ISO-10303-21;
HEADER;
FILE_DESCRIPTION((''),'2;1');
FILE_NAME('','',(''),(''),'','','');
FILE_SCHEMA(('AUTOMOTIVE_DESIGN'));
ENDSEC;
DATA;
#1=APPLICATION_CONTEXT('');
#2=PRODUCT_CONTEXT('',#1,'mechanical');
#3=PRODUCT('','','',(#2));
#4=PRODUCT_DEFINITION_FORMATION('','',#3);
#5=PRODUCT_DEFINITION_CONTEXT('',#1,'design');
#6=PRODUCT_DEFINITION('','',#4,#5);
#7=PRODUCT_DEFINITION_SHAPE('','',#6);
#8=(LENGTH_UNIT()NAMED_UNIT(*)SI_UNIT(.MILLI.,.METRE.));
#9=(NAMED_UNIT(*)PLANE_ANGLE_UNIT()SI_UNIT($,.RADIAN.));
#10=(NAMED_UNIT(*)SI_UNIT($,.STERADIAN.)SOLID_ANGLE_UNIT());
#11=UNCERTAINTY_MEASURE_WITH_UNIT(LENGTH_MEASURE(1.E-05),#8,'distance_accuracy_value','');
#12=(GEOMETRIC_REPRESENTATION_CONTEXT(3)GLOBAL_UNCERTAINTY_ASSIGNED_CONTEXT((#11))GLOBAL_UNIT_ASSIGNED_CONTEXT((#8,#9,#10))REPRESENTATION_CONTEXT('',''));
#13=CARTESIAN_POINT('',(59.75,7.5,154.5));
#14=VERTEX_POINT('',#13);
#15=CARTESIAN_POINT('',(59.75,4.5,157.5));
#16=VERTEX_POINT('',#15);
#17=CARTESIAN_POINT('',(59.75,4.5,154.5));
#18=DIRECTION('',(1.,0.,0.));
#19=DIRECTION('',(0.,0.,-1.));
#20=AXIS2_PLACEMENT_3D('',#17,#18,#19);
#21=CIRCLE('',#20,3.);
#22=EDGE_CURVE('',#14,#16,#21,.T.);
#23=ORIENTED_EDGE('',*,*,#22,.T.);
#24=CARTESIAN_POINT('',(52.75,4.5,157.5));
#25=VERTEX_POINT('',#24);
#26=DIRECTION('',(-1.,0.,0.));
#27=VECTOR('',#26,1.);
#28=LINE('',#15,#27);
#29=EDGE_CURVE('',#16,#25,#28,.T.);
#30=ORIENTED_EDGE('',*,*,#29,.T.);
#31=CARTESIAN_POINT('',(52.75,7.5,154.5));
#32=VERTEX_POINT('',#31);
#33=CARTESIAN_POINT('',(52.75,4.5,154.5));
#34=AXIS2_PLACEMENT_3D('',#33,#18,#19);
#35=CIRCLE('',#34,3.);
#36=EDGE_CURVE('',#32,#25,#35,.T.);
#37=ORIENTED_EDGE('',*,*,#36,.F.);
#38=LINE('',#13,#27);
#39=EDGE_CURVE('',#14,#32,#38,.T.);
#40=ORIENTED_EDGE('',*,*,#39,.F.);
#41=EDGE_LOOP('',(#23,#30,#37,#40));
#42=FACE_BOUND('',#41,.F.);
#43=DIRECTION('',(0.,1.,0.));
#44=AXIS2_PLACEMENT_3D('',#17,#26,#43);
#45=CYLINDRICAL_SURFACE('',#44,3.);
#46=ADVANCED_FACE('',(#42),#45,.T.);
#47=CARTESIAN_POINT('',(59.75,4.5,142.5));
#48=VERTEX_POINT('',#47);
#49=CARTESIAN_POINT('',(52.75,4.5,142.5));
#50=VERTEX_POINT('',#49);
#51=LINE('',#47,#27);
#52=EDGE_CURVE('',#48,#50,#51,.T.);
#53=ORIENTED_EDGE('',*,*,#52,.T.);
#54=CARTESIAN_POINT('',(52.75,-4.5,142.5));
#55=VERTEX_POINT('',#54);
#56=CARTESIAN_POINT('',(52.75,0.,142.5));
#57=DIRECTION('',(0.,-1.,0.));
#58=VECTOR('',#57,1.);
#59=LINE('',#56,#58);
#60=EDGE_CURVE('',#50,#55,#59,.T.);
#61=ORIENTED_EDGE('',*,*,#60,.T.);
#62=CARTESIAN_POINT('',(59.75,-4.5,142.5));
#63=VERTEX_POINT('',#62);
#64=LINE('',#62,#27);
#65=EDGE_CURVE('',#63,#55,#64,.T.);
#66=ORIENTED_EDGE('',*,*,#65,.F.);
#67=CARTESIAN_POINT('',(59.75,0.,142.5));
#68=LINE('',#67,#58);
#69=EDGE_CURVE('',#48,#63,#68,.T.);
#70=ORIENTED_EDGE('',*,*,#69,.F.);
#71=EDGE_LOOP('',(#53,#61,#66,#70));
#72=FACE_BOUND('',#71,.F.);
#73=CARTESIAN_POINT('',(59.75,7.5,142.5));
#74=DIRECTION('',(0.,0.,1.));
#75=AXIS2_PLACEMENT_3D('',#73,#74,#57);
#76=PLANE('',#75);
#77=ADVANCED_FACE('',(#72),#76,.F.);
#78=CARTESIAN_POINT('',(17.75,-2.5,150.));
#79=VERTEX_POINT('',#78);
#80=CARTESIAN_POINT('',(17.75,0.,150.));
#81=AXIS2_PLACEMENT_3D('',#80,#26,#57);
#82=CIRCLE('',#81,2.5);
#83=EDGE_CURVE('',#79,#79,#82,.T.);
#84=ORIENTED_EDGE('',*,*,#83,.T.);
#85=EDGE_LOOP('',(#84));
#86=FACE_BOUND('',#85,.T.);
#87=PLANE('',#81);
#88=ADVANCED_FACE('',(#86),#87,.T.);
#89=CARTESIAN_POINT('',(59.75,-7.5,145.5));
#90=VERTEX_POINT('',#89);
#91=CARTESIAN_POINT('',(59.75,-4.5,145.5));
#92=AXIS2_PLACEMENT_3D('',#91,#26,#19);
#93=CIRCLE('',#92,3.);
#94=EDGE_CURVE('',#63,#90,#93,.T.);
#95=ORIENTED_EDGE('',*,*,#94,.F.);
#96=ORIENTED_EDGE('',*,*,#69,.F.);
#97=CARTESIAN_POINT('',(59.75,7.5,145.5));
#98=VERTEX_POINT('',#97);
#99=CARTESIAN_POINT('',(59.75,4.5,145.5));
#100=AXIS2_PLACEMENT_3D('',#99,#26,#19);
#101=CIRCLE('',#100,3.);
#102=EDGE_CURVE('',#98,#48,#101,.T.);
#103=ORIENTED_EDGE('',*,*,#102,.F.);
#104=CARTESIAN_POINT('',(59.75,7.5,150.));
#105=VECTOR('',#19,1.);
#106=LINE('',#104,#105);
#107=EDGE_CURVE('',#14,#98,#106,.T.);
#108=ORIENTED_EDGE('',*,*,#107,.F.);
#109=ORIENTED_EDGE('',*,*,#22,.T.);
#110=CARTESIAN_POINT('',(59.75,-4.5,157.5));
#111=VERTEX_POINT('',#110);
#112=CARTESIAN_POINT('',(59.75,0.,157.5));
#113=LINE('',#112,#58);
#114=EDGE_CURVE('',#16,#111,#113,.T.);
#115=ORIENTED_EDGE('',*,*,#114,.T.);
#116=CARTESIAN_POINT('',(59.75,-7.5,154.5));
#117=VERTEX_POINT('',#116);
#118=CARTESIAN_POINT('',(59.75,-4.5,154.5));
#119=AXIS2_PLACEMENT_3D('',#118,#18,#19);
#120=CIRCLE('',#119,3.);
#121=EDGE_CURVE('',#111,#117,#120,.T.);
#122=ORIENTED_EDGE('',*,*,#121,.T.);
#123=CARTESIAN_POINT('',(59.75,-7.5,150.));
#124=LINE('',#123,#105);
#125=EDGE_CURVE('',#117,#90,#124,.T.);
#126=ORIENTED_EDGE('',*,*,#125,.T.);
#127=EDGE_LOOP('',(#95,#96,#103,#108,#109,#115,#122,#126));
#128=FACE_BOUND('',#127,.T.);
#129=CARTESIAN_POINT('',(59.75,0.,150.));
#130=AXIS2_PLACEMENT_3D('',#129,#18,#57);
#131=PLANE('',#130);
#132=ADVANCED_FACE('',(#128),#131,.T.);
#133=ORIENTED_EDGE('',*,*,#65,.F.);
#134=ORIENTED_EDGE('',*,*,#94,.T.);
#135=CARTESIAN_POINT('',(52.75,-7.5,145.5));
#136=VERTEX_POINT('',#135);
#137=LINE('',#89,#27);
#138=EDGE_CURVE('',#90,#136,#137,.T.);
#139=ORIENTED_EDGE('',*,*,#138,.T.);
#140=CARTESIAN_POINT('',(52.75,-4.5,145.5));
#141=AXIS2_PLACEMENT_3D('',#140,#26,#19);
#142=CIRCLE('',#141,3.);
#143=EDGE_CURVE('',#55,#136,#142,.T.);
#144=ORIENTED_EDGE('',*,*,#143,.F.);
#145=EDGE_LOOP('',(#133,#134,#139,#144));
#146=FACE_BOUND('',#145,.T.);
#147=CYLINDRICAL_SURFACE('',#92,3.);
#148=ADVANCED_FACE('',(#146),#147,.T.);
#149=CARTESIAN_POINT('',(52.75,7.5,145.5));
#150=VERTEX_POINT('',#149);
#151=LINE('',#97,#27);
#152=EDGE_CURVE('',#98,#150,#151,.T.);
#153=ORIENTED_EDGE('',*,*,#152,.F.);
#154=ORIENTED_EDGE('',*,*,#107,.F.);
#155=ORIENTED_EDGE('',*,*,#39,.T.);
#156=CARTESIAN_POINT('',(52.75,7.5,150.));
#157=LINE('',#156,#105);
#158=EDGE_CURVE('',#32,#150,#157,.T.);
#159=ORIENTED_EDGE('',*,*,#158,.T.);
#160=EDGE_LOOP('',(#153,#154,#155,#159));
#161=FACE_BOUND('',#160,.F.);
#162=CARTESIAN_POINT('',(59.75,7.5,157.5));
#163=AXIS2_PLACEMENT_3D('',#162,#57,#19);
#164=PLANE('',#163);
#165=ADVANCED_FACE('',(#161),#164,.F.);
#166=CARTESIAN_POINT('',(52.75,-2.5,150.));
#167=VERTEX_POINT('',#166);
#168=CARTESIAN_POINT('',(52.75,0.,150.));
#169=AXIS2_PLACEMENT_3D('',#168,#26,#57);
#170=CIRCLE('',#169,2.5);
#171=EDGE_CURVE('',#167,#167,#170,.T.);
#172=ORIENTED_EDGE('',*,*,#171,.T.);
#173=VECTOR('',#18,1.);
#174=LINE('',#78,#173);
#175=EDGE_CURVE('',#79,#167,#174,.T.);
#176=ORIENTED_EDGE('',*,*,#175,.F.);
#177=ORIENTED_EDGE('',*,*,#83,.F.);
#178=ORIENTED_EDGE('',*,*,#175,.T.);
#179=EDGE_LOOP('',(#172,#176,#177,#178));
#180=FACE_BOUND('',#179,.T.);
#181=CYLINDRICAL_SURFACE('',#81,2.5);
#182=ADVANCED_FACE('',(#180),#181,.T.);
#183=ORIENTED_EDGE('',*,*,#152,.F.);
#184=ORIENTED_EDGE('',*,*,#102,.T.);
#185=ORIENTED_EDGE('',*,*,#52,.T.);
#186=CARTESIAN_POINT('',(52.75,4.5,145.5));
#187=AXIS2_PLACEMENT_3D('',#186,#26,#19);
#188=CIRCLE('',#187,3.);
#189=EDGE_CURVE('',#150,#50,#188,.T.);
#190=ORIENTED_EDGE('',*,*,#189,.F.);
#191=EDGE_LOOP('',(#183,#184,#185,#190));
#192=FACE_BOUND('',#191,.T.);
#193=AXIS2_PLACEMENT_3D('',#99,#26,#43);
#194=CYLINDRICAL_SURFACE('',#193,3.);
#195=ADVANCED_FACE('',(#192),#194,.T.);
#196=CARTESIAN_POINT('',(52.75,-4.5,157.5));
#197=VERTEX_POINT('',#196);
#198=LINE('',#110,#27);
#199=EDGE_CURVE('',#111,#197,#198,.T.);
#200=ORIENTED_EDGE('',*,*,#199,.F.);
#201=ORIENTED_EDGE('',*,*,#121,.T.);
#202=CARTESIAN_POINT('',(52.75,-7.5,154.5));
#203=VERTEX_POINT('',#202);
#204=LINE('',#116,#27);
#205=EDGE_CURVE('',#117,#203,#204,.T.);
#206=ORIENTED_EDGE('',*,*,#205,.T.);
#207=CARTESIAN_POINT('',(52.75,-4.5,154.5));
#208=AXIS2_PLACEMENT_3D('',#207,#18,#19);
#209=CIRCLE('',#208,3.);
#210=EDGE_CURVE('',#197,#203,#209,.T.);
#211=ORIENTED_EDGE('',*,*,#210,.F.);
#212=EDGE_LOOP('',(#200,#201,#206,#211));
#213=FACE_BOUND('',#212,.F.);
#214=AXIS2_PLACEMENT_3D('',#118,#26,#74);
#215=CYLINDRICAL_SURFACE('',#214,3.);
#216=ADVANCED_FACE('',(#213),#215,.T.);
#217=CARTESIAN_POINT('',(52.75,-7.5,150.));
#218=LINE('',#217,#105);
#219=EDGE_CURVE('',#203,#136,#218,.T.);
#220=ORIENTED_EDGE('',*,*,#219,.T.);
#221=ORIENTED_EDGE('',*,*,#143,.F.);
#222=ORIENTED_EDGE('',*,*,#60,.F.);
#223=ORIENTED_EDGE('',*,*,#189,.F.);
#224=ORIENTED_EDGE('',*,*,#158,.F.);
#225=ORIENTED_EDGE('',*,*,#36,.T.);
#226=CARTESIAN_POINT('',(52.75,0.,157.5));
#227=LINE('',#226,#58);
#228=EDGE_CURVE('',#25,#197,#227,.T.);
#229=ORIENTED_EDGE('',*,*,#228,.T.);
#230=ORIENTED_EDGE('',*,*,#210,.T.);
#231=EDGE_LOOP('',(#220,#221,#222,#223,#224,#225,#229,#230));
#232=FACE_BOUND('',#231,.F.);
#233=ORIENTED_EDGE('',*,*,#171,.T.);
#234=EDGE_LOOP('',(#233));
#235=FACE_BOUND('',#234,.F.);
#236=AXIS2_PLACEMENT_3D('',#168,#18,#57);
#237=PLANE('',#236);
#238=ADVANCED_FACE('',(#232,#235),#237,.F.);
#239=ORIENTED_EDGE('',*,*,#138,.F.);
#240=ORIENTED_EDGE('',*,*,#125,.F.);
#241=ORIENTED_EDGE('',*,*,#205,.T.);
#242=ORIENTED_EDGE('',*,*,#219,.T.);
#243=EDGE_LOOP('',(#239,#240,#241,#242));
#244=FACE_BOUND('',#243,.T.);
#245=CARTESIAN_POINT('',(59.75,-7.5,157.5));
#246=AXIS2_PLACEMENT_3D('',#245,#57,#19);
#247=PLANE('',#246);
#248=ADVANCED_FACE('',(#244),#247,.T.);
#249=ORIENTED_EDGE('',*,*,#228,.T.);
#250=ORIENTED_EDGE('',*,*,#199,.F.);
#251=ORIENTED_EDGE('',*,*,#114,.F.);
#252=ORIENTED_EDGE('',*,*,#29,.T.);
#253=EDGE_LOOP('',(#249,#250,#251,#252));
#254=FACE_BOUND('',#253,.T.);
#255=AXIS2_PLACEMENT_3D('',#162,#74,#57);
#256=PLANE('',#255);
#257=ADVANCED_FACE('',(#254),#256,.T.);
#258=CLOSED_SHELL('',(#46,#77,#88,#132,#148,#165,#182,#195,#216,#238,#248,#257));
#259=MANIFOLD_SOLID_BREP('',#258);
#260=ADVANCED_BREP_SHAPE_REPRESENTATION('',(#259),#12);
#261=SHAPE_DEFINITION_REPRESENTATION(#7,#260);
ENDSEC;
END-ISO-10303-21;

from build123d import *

# Parameters (mm, degrees)
SKETCH145_R             = 2.5
PAD075_DEPTH            = 42
SKETCH144_W             = 15
SKETCH144_H             = 15
PAD076_DEPTH            = 7
FILLET003_R             = 3
BODY043_PLACEMENT_ANGLE = -90


with BuildPart() as part:
    # Sketch145 → Pad075 (new body)
    with BuildSketch(Plane.XZ):
        Circle(SKETCH145_R)
    extrude(amount=-PAD075_DEPTH)

    # Sketch144 (on Face3 of Pad075) → Pad076 (join)
    with BuildSketch(Plane(origin=(0, 42, 0), x_dir=(1, 0, 0), z_dir=(0, 1, 0))):
        Rectangle(SKETCH144_W, SKETCH144_H)
    extrude(amount=-PAD076_DEPTH)

    # Fillet003
    fillet003_edges = [part.edges().sort_by_distance(p)[0] for p in [
        (7.5, 38.5, -7.5),
        (7.5, 38.5, 7.5),
        (-7.5, 38.5, 7.5),
        (-7.5, 38.5, -7.5),
    ]]
    fillet(fillet003_edges, radius=FILLET003_R)


with BuildPart() as part_1:
    # Body043 placement: moved
    add(part.part.moved(Location((17.75, 0, 150))).rotate(Axis((17.75, 0, 150), (0, 0, 1)), BODY043_PLACEMENT_ANGLE))


solid = part_1.part
